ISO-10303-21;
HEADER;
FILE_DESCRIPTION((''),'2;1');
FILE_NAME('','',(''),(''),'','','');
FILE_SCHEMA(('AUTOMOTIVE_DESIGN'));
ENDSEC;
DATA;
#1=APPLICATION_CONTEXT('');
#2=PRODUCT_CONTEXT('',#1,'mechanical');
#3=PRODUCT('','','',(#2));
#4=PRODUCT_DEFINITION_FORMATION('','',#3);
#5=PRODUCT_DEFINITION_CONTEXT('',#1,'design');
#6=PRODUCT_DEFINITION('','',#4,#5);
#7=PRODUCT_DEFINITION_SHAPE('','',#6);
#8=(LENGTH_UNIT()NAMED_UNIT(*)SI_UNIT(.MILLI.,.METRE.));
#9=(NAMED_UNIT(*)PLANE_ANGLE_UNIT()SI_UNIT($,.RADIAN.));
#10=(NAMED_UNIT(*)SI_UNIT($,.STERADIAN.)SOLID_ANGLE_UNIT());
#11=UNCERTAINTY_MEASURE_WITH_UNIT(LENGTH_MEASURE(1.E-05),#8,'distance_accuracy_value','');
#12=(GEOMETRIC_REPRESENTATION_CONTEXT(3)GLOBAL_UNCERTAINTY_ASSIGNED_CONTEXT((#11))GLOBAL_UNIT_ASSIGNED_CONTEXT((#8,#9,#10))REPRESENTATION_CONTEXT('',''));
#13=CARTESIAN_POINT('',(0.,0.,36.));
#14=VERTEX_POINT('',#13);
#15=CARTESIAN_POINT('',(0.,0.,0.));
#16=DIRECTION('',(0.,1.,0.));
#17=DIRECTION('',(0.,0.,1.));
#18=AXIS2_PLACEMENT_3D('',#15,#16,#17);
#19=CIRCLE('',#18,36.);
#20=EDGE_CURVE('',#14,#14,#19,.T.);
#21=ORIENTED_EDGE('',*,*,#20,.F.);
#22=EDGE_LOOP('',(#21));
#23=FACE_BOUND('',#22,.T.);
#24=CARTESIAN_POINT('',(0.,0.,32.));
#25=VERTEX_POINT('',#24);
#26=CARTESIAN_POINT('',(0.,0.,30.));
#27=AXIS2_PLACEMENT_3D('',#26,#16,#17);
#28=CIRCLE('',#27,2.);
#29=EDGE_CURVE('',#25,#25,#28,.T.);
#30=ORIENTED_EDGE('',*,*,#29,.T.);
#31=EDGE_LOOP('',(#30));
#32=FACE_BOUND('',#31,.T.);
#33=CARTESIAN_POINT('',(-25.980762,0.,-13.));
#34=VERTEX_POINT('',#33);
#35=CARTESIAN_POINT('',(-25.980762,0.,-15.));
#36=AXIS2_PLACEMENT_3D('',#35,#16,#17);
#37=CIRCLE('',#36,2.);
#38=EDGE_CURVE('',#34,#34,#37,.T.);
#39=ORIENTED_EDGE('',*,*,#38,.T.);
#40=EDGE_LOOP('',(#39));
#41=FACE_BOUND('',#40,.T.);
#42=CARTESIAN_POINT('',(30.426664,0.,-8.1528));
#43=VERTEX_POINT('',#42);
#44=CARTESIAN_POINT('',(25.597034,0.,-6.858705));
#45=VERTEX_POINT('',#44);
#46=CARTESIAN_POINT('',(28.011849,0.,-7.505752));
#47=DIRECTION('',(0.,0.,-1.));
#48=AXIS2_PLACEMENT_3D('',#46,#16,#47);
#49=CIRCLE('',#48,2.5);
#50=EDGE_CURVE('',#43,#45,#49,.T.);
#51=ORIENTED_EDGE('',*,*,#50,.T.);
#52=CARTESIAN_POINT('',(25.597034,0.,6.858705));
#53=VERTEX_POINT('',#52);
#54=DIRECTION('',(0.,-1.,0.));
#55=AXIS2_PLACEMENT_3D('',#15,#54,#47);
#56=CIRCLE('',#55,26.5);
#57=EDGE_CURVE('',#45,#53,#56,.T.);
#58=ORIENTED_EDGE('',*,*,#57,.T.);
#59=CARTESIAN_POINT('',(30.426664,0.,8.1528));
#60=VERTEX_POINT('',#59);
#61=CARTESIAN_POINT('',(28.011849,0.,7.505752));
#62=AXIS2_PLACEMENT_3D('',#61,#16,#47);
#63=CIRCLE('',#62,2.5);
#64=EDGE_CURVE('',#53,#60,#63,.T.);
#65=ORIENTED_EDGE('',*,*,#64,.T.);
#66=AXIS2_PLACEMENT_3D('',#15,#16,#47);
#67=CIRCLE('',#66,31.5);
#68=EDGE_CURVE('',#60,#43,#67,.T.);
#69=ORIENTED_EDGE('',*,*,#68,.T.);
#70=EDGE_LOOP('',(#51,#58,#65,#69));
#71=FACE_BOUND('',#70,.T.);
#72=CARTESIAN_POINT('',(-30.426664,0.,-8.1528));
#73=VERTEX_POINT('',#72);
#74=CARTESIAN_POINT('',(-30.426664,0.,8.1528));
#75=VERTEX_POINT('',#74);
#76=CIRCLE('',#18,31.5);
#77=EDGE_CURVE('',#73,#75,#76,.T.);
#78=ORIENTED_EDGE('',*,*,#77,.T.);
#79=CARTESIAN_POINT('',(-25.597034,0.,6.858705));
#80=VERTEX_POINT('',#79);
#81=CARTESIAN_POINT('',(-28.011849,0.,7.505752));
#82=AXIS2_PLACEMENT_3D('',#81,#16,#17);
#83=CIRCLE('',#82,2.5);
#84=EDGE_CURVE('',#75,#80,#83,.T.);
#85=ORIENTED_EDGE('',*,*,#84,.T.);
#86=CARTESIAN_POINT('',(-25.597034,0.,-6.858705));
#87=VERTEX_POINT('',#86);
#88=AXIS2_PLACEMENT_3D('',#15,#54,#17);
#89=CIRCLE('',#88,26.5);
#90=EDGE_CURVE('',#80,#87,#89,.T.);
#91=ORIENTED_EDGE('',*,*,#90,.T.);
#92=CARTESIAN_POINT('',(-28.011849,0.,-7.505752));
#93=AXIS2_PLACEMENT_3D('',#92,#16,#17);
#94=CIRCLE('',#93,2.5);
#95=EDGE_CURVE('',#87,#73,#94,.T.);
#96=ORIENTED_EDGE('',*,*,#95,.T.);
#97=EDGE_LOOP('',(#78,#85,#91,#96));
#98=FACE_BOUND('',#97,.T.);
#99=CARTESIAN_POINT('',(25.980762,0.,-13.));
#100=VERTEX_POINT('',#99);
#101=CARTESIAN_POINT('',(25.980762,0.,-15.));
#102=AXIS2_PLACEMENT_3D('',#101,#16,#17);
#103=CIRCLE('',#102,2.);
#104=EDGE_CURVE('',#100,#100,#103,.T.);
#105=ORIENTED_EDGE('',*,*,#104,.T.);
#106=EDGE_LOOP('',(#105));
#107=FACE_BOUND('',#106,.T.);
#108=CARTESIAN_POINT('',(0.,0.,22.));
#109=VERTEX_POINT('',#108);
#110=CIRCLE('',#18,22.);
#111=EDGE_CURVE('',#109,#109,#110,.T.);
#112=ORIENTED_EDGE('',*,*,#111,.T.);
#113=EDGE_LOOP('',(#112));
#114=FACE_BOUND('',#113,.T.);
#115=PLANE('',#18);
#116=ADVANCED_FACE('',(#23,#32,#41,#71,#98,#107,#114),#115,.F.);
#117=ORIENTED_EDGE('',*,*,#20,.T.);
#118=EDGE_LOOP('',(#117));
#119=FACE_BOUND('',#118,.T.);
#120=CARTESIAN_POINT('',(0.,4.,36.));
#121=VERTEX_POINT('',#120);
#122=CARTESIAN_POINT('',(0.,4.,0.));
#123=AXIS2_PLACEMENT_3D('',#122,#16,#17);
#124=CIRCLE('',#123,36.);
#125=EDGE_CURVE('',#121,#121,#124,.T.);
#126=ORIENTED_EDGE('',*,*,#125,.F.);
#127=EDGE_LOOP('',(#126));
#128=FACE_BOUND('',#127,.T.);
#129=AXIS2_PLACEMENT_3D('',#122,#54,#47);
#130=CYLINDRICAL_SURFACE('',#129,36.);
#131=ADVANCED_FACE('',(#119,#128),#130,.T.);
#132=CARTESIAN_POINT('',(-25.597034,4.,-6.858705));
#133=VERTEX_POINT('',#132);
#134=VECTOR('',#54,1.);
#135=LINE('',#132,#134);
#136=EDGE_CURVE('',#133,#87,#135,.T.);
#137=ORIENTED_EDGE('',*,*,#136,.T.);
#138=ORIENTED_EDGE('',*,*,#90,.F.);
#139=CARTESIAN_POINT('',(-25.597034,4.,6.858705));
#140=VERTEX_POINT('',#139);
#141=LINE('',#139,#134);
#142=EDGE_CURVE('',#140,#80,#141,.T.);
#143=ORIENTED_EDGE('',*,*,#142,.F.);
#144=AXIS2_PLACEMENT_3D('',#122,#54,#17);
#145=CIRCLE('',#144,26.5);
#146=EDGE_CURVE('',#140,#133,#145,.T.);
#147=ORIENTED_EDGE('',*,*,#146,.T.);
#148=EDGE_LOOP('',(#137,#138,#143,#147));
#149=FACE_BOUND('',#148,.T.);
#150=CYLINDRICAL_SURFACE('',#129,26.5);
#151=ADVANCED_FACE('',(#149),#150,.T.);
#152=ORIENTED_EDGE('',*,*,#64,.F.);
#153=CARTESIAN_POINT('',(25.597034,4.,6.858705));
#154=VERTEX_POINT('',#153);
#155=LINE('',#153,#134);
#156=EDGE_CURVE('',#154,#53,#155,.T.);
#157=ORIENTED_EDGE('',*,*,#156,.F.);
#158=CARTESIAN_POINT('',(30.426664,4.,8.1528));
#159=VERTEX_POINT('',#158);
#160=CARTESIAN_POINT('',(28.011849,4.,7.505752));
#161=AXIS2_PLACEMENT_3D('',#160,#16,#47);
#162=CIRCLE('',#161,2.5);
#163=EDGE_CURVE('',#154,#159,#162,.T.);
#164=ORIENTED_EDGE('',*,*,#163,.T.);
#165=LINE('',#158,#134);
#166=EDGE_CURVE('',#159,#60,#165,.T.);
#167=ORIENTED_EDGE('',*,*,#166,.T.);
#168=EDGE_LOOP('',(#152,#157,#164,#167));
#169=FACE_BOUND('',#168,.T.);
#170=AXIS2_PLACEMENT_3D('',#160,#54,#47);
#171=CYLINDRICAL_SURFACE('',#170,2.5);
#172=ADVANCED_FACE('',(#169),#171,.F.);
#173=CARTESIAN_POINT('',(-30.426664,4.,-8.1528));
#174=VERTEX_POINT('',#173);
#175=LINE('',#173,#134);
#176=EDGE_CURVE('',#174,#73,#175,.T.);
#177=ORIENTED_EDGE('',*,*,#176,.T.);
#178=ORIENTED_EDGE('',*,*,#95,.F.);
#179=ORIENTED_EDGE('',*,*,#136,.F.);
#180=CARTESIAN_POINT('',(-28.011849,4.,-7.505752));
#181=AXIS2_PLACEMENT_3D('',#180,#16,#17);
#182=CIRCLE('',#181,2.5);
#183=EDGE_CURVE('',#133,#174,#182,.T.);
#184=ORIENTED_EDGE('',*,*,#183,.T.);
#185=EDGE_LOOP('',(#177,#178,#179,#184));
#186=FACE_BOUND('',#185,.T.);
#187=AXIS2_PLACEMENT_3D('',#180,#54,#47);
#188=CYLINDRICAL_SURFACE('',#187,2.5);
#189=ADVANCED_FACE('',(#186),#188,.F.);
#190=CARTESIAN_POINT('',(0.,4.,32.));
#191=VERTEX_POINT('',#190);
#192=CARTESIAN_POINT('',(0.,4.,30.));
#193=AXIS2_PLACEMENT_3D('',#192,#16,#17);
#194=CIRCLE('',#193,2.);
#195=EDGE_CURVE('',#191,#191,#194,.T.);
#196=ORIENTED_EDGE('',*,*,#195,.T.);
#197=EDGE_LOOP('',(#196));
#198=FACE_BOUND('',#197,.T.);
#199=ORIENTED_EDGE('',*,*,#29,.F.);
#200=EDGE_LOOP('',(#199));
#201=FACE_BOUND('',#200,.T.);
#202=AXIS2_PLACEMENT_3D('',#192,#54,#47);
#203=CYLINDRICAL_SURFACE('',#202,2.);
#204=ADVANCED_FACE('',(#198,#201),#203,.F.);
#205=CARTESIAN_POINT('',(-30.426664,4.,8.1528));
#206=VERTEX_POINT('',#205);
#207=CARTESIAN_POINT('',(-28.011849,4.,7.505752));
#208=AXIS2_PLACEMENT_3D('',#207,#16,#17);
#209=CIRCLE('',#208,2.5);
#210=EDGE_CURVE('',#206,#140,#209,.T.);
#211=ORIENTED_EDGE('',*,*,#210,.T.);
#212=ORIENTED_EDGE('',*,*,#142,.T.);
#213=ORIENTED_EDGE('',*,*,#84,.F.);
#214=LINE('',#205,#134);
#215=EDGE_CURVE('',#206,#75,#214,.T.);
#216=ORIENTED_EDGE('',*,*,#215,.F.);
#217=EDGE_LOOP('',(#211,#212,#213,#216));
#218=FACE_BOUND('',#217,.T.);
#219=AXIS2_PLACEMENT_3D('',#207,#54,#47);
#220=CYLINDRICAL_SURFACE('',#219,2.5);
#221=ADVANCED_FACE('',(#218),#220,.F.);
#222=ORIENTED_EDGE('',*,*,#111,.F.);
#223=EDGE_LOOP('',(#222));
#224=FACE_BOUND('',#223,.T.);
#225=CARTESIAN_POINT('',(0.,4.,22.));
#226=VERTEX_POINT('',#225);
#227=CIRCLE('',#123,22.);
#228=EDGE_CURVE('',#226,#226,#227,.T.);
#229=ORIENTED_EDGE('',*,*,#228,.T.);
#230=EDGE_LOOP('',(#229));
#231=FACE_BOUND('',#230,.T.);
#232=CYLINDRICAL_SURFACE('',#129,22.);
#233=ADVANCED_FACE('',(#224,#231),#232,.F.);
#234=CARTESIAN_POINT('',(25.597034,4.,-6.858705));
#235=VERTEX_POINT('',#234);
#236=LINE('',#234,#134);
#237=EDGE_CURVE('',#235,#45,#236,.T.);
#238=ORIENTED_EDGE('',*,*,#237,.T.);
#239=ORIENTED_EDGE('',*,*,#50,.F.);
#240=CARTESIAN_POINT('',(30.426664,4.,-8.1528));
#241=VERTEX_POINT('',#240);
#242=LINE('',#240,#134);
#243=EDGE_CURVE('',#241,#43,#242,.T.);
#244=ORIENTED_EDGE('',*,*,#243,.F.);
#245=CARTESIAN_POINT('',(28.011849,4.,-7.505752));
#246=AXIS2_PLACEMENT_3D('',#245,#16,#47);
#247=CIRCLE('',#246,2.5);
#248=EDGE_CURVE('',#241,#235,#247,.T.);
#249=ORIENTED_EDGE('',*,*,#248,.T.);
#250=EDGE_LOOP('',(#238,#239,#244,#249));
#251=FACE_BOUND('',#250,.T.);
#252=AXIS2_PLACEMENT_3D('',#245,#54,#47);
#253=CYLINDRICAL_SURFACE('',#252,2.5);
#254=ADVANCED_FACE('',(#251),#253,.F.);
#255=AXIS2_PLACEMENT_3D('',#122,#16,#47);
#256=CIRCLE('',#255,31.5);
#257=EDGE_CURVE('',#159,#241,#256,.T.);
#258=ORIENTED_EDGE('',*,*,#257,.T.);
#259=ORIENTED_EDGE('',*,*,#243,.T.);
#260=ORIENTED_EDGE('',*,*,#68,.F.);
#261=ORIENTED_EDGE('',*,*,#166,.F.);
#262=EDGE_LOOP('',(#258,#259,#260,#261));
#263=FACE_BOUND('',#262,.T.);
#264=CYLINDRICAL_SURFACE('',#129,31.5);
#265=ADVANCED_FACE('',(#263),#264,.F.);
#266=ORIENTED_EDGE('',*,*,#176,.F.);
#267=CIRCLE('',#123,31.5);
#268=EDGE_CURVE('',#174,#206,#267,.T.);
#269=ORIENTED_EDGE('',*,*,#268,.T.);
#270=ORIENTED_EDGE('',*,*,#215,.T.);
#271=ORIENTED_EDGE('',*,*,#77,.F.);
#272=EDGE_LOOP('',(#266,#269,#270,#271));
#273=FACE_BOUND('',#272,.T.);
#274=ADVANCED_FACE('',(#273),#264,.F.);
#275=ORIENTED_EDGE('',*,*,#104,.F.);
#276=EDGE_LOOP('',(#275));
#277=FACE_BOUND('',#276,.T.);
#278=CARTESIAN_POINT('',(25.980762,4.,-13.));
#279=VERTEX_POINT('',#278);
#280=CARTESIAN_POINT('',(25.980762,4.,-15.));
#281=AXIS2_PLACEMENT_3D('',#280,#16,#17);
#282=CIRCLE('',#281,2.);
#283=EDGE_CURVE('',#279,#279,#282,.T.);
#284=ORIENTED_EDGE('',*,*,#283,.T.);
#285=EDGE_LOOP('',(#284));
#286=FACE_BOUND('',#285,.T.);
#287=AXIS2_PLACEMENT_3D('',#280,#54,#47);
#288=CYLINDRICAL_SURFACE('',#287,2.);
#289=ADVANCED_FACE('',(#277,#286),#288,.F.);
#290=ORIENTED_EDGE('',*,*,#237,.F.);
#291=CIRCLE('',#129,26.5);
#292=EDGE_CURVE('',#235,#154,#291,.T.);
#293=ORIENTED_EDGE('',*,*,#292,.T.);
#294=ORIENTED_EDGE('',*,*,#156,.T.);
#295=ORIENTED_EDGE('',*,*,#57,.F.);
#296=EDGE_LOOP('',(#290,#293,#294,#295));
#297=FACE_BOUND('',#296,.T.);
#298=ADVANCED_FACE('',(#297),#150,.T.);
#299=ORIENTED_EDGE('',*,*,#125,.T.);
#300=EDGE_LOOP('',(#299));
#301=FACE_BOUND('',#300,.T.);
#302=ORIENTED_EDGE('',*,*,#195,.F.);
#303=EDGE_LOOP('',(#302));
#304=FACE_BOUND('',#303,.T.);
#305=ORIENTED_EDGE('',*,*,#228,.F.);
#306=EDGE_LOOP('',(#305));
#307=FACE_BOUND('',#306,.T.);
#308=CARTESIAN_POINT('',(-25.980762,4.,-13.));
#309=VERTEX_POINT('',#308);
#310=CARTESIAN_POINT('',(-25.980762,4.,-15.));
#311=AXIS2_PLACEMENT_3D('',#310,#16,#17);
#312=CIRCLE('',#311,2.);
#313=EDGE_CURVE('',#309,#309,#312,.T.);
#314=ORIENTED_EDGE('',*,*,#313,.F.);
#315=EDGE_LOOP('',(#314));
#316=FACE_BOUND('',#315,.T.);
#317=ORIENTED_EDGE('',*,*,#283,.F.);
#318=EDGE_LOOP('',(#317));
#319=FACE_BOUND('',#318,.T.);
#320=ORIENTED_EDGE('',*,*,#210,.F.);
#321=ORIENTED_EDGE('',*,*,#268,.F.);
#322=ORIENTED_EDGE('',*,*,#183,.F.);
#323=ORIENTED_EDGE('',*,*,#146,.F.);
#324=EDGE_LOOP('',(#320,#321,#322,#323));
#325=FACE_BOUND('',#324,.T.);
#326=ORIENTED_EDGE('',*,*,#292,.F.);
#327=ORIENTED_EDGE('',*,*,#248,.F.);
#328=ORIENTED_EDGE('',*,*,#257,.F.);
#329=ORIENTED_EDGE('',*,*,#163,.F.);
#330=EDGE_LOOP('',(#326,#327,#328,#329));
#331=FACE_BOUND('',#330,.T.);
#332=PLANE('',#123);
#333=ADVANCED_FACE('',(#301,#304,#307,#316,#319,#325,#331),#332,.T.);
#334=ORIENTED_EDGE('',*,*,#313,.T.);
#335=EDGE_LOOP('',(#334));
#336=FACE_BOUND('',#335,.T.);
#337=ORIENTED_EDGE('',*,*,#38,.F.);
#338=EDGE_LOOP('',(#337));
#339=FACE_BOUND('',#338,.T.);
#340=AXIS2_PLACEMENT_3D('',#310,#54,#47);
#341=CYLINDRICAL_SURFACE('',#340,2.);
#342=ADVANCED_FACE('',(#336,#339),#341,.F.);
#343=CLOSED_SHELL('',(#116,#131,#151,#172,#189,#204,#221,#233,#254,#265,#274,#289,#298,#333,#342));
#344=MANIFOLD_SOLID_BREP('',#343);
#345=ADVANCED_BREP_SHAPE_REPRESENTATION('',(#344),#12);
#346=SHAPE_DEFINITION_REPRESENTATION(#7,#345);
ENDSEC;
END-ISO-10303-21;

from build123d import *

# Parameters (mm, degrees)
SKETCH_1_R      = 36
SKETCH_1_R_2    = 22
SKETCH_1_R_3    = 2
EXTRUDE_1_DEPTH = 4


with BuildPart() as part:
    # 草图1 → 凸台-拉伸1 (new body)
    with BuildSketch(Plane(origin=(0, 0, 0), x_dir=(1, 0, 0), z_dir=(0, 1, 0))):
        with Locations(Location((0, 0, 0), (0, 0, 270))):
            Circle(SKETCH_1_R)
        with Locations(Location((0, 0, 0), (0, 0, 270))):
            Circle(SKETCH_1_R_2, mode=Mode.SUBTRACT)
        with Locations(Location((-25.980762114, 15, 0), (0, 0, 270))):
            Circle(SKETCH_1_R_3, mode=Mode.SUBTRACT)
        with Locations(Location((25.980762114, 15, 0), (0, 0, 270))):
            Circle(SKETCH_1_R_3, mode=Mode.SUBTRACT)
        with Locations(Location((0, -30, 0), (0, 0, 270))):
            Circle(SKETCH_1_R_3, mode=Mode.SUBTRACT)
        with BuildLine():
            ThreePointArc((-30.426663528, 8.152799921), (-31.5, 0), (-30.426663528, -8.152799921))
            ThreePointArc((-30.426663528, -8.152799921), (-27.36480135, -9.920566874), (-25.597034397, -6.858704695))
            ThreePointArc((-25.597034397, -6.858704695), (-26.5, 0), (-25.597034397, 6.858704695))
            ThreePointArc((-25.597034397, 6.858704695), (-27.36480135, 9.920566874), (-30.426663528, 8.152799921))
        make_face(mode=Mode.SUBTRACT)
        with BuildLine():
            ThreePointArc((30.426663528, 8.152799921), (31.5, 0), (30.426663528, -8.152799921))
            ThreePointArc((30.426663528, -8.152799921), (27.36480135, -9.920566874), (25.597034397, -6.858704695))
            ThreePointArc((25.597034397, -6.858704695), (26.5, 0), (25.597034397, 6.858704695))
            ThreePointArc((25.597034397, 6.858704695), (27.36480135, 9.920566874), (30.426663528, 8.152799921))
        make_face(mode=Mode.SUBTRACT)
    extrude(amount=EXTRUDE_1_DEPTH)


solid = part.part
